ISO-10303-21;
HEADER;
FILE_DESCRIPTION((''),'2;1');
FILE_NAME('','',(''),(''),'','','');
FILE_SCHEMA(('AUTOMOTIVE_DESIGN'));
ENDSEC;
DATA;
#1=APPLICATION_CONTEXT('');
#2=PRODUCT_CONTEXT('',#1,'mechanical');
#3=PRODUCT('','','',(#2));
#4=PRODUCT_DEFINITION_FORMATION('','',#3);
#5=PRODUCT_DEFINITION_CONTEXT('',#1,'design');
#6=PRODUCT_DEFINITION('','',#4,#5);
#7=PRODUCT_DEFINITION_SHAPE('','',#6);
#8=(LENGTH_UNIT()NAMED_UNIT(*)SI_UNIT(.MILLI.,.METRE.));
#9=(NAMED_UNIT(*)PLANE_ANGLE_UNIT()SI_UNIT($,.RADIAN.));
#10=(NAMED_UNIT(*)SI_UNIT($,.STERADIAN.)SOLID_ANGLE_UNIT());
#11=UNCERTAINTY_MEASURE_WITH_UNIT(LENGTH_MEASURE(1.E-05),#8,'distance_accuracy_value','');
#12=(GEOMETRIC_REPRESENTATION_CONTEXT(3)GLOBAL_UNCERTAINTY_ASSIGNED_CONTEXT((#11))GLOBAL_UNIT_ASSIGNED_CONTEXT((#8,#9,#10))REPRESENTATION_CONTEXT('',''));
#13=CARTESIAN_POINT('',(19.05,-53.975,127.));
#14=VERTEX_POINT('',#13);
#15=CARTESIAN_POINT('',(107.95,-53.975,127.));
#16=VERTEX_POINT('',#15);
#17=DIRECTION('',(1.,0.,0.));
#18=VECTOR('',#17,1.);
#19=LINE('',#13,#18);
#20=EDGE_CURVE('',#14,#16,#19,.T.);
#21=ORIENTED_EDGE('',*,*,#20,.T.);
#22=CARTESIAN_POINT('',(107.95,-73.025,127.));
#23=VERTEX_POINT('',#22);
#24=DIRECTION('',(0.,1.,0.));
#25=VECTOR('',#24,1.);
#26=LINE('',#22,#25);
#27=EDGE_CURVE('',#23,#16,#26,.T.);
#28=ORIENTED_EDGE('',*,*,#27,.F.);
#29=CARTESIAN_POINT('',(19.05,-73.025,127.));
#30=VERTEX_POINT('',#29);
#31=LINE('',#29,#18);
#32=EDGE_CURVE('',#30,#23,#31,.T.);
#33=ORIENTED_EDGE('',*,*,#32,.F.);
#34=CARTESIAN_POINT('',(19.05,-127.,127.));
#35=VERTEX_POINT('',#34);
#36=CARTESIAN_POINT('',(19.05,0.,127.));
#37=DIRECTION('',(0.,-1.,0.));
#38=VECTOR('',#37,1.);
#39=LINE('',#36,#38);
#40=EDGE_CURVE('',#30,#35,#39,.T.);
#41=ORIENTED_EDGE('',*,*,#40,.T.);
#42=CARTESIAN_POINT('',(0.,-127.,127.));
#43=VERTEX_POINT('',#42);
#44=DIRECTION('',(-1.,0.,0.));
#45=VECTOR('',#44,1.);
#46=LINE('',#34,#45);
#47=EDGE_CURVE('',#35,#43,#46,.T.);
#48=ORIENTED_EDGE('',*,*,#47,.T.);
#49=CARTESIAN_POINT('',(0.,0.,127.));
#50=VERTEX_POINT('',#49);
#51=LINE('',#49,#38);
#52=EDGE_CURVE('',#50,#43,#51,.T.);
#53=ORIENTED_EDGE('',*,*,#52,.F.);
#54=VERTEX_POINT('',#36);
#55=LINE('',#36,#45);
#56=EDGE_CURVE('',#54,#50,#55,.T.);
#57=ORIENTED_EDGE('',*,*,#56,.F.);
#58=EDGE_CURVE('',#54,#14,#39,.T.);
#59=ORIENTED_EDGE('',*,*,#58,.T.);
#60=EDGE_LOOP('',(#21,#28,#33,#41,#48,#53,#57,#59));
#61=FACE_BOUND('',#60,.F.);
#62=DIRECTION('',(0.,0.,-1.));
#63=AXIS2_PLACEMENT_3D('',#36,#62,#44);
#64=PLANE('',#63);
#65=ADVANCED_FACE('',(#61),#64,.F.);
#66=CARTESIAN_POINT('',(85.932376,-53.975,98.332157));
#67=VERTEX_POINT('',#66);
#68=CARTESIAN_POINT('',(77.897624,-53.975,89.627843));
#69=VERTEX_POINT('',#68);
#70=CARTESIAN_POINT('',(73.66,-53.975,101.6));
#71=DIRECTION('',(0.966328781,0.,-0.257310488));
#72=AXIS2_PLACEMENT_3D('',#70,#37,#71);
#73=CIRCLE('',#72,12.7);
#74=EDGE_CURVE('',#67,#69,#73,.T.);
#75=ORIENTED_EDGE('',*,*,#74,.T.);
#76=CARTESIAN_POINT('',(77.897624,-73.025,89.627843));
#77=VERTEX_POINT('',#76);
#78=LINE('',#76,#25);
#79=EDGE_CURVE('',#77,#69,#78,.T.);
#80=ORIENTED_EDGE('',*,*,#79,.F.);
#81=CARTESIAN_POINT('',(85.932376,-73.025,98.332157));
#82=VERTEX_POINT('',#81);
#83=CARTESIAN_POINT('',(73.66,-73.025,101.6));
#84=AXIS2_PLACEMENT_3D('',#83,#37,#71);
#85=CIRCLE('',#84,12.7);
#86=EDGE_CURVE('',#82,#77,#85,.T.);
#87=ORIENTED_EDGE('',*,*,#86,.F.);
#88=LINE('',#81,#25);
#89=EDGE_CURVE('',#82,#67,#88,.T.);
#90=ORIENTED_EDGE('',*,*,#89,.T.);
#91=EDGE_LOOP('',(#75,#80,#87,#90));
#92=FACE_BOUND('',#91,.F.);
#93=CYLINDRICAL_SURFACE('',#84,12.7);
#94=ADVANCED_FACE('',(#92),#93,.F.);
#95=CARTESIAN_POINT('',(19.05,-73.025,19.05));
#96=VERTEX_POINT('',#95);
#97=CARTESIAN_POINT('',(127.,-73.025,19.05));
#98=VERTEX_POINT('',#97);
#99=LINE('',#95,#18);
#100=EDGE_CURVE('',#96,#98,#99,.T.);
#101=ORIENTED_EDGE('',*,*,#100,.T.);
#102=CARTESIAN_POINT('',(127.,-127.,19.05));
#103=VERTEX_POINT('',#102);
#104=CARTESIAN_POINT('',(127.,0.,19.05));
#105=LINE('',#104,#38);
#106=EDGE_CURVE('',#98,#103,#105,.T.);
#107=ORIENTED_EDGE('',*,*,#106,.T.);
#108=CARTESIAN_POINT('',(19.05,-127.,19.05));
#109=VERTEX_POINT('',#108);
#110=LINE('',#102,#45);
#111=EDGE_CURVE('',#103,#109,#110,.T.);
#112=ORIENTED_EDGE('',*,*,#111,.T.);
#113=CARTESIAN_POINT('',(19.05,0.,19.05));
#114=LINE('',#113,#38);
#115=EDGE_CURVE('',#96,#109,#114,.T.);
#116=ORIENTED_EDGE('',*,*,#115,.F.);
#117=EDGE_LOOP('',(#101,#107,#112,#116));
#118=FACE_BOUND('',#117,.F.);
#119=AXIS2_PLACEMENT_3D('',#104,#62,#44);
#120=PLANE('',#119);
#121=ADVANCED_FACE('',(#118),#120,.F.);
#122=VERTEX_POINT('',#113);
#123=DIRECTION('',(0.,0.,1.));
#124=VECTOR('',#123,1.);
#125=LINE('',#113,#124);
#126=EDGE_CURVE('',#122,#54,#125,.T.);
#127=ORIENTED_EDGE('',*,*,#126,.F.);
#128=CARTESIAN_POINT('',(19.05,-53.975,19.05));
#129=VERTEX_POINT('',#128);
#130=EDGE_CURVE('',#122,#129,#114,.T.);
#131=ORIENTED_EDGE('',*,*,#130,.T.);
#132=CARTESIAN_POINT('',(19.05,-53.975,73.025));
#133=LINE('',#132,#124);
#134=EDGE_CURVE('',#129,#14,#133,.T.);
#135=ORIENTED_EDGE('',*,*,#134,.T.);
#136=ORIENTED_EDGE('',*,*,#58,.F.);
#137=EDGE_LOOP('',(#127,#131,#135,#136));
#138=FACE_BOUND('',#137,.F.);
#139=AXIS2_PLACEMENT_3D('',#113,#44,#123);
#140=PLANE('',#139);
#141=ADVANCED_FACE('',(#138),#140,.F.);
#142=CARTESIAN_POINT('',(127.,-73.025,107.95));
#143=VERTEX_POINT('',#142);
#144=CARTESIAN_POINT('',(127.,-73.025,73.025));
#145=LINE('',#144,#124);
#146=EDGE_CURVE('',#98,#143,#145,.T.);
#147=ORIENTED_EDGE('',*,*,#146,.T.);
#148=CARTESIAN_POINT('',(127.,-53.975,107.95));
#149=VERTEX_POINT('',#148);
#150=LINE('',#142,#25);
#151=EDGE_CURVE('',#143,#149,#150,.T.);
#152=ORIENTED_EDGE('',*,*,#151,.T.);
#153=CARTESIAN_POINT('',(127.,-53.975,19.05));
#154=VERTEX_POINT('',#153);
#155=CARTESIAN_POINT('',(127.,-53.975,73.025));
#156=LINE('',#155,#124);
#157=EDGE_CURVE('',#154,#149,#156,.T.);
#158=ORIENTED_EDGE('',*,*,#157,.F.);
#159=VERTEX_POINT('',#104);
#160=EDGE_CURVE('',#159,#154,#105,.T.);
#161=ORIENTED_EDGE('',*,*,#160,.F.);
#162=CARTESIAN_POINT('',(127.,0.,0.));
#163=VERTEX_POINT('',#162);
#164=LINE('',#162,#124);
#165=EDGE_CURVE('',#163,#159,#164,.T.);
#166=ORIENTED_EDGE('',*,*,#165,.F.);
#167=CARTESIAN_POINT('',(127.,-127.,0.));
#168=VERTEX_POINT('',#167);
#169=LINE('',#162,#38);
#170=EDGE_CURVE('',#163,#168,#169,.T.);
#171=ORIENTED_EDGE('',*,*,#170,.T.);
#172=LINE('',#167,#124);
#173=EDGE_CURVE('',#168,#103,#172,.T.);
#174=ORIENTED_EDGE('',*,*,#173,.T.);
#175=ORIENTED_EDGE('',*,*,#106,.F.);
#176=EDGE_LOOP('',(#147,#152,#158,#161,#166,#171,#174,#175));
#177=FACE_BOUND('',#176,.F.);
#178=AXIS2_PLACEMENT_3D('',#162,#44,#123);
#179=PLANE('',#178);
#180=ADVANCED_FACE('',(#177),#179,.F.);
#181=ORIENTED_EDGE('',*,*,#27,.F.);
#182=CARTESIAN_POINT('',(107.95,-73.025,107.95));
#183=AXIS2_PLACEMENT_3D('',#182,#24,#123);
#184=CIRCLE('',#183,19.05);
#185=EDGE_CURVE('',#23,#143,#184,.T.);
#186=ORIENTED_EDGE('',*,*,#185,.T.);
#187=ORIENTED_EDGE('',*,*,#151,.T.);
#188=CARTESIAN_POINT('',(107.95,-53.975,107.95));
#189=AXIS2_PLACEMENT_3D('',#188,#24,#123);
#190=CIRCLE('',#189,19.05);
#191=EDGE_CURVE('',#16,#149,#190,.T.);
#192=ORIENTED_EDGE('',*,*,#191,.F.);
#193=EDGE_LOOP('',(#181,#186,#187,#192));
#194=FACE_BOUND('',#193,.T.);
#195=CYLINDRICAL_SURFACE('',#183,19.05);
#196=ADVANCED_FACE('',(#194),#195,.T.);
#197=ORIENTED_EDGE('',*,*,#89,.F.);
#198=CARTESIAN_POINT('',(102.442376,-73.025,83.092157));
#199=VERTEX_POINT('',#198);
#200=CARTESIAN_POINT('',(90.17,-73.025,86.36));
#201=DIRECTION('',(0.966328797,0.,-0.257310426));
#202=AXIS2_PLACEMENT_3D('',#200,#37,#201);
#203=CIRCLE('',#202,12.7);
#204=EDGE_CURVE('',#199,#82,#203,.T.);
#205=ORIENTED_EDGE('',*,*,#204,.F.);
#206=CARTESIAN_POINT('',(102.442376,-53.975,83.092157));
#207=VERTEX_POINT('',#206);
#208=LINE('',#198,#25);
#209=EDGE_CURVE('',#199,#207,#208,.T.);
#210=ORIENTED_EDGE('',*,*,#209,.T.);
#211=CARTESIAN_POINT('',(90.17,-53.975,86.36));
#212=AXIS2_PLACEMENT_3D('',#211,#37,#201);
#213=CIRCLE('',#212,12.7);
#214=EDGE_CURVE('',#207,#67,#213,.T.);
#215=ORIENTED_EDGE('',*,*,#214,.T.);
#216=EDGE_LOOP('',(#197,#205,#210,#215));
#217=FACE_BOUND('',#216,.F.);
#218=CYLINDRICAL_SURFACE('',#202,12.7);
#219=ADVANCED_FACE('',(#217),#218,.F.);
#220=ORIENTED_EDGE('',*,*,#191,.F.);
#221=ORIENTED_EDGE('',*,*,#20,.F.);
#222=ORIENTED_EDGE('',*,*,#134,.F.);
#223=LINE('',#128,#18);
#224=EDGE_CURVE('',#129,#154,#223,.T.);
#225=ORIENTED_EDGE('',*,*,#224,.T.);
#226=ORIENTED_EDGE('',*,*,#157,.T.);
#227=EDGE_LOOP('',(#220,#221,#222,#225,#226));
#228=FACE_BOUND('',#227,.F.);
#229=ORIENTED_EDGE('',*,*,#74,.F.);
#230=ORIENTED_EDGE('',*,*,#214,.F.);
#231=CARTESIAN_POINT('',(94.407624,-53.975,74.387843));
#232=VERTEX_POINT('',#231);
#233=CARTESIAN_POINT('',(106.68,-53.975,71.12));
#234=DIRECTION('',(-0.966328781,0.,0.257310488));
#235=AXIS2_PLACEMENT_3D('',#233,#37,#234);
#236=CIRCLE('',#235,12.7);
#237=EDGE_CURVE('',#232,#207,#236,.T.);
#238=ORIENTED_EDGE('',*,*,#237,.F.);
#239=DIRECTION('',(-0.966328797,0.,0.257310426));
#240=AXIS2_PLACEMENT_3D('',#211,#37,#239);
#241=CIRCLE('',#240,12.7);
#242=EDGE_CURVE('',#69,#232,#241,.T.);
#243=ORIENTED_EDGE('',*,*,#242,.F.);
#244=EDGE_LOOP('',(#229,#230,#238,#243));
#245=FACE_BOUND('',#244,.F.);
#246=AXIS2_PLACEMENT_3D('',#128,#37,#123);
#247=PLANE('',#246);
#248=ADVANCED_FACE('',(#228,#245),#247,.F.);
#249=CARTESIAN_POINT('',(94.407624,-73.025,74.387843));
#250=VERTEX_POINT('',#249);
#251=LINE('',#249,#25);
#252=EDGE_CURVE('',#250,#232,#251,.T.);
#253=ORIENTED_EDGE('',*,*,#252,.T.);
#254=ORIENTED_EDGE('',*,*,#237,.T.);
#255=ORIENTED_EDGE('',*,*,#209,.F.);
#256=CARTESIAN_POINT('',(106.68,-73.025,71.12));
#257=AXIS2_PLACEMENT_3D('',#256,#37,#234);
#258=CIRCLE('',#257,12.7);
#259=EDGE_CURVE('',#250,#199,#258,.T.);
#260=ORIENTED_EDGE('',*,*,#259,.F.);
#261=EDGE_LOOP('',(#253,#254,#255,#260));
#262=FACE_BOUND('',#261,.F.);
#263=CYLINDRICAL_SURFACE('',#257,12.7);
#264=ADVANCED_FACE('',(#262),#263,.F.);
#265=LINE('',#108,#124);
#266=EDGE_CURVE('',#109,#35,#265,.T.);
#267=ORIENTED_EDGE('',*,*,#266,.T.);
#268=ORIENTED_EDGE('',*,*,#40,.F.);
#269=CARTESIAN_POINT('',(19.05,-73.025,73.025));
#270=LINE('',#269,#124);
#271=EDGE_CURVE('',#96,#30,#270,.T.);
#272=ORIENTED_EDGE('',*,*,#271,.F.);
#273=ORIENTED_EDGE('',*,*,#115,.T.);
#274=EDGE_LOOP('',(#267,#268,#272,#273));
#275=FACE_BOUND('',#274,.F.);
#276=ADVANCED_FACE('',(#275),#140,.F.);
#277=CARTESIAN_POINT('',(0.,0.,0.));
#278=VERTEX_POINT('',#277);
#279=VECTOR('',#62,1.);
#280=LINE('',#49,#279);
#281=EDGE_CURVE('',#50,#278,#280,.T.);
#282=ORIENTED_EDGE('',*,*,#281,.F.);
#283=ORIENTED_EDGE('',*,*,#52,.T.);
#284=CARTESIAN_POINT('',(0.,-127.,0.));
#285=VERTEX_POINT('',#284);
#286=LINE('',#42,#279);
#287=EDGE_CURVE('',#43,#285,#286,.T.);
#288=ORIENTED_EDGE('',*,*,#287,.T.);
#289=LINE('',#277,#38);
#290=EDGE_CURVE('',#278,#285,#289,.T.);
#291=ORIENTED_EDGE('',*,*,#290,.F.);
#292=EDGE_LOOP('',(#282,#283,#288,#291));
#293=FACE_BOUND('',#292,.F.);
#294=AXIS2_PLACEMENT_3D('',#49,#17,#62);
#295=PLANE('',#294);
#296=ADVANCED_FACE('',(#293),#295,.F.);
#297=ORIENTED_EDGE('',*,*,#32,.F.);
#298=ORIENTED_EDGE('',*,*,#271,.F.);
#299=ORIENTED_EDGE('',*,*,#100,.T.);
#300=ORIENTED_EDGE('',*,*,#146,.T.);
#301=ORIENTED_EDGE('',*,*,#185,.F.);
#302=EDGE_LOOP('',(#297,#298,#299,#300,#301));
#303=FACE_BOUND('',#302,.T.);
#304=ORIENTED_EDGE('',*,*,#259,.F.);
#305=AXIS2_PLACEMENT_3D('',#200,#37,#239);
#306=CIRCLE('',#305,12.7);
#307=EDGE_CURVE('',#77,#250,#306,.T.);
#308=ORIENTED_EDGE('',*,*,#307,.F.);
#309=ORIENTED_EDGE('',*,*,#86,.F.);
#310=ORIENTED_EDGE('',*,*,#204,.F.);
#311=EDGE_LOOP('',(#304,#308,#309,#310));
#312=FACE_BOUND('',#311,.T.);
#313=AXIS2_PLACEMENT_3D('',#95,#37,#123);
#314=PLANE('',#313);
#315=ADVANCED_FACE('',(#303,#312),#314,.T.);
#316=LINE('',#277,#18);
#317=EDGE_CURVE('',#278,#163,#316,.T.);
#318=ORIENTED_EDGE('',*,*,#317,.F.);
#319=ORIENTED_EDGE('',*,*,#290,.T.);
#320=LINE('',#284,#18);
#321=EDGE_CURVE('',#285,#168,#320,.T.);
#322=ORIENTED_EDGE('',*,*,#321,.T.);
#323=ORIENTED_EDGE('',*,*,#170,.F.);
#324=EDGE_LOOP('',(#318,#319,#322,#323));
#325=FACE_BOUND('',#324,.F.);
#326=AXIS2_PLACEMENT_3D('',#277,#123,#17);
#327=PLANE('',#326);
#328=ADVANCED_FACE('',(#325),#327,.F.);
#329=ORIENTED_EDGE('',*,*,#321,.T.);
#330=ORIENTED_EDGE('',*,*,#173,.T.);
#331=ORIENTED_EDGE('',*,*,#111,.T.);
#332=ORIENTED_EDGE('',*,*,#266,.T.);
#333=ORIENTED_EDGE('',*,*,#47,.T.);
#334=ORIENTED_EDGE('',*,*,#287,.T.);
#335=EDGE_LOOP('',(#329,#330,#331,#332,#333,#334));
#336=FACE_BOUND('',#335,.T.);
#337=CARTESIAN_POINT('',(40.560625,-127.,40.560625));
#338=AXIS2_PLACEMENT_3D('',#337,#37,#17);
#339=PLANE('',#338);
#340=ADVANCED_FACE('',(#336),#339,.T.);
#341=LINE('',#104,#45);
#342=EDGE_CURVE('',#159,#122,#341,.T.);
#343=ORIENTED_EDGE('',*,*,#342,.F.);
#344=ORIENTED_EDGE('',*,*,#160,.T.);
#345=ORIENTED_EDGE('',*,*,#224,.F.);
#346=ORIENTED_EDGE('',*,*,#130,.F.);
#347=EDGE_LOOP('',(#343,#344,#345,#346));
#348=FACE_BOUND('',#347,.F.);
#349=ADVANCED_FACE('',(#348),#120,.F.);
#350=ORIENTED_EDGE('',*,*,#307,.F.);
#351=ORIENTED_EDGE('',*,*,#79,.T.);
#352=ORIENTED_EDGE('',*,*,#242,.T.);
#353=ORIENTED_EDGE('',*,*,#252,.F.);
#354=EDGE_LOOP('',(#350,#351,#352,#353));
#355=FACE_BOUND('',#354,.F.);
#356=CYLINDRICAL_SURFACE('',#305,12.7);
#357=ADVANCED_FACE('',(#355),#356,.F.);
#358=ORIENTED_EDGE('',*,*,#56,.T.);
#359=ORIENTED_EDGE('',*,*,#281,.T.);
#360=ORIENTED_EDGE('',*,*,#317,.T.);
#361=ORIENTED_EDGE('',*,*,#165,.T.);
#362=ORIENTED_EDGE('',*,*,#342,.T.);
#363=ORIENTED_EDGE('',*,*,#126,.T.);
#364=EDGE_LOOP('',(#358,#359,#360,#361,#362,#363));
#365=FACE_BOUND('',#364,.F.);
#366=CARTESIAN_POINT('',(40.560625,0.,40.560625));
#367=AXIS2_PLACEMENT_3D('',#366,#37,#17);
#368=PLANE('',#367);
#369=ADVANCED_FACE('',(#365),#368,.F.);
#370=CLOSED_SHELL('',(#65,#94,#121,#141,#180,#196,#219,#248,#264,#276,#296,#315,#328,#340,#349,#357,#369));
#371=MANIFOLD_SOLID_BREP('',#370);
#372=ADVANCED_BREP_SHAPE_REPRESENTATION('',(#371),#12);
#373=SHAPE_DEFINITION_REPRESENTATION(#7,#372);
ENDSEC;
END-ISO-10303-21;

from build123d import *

# Parameters (mm, degrees)
F1_DEPTH = 127
F2_W     = 19.05
F2_H     = 107.95
F3_DEPTH = 107.95
F4_R     = 19.05
F6_DEPTH = 25.4


with BuildPart() as f1:
    # F0 (on Front) → F1 (new body)
    with BuildSketch(Plane.XZ):
        Polygon((0, 127), (0, 0), (127, 0), (127, 19.05), (19.05, 19.05), (19.05, 127), align=None)
    extrude(amount=F1_DEPTH)

    # F2 (on face) → F3 (join, through all)
    with BuildSketch(Plane.YZ.offset(19.05)):
        with Locations((-63.5, 73.025)):
            Rectangle(F2_W, F2_H)
    extrude(amount=F3_DEPTH)

    # F4
    f4_edges = [f1.edges().sort_by_distance(p)[0] for p in [
        (127, -63.5, 127),
    ]]
    fillet(f4_edges, radius=F4_R)

    # F5 (on face) → F6 (cut)
    with BuildSketch(Plane.XZ.offset(73.025)):
        with BuildLine():
            ThreePointArc((77.897624, 89.627843), (81.555843, 77.027996), (94.407624, 74.387843))
            ThreePointArc((94.407624, 74.387843), (116.012004, 62.505843), (102.442376, 83.092157))
            ThreePointArc((102.442376, 83.092157), (98.784157, 95.692004), (85.932376, 98.332157))
            ThreePointArc((85.932376, 98.332157), (64.327996, 110.214157), (77.897624, 89.627843))
        make_face()
    extrude(amount=-F6_DEPTH, mode=Mode.SUBTRACT)


solid = f1.part
